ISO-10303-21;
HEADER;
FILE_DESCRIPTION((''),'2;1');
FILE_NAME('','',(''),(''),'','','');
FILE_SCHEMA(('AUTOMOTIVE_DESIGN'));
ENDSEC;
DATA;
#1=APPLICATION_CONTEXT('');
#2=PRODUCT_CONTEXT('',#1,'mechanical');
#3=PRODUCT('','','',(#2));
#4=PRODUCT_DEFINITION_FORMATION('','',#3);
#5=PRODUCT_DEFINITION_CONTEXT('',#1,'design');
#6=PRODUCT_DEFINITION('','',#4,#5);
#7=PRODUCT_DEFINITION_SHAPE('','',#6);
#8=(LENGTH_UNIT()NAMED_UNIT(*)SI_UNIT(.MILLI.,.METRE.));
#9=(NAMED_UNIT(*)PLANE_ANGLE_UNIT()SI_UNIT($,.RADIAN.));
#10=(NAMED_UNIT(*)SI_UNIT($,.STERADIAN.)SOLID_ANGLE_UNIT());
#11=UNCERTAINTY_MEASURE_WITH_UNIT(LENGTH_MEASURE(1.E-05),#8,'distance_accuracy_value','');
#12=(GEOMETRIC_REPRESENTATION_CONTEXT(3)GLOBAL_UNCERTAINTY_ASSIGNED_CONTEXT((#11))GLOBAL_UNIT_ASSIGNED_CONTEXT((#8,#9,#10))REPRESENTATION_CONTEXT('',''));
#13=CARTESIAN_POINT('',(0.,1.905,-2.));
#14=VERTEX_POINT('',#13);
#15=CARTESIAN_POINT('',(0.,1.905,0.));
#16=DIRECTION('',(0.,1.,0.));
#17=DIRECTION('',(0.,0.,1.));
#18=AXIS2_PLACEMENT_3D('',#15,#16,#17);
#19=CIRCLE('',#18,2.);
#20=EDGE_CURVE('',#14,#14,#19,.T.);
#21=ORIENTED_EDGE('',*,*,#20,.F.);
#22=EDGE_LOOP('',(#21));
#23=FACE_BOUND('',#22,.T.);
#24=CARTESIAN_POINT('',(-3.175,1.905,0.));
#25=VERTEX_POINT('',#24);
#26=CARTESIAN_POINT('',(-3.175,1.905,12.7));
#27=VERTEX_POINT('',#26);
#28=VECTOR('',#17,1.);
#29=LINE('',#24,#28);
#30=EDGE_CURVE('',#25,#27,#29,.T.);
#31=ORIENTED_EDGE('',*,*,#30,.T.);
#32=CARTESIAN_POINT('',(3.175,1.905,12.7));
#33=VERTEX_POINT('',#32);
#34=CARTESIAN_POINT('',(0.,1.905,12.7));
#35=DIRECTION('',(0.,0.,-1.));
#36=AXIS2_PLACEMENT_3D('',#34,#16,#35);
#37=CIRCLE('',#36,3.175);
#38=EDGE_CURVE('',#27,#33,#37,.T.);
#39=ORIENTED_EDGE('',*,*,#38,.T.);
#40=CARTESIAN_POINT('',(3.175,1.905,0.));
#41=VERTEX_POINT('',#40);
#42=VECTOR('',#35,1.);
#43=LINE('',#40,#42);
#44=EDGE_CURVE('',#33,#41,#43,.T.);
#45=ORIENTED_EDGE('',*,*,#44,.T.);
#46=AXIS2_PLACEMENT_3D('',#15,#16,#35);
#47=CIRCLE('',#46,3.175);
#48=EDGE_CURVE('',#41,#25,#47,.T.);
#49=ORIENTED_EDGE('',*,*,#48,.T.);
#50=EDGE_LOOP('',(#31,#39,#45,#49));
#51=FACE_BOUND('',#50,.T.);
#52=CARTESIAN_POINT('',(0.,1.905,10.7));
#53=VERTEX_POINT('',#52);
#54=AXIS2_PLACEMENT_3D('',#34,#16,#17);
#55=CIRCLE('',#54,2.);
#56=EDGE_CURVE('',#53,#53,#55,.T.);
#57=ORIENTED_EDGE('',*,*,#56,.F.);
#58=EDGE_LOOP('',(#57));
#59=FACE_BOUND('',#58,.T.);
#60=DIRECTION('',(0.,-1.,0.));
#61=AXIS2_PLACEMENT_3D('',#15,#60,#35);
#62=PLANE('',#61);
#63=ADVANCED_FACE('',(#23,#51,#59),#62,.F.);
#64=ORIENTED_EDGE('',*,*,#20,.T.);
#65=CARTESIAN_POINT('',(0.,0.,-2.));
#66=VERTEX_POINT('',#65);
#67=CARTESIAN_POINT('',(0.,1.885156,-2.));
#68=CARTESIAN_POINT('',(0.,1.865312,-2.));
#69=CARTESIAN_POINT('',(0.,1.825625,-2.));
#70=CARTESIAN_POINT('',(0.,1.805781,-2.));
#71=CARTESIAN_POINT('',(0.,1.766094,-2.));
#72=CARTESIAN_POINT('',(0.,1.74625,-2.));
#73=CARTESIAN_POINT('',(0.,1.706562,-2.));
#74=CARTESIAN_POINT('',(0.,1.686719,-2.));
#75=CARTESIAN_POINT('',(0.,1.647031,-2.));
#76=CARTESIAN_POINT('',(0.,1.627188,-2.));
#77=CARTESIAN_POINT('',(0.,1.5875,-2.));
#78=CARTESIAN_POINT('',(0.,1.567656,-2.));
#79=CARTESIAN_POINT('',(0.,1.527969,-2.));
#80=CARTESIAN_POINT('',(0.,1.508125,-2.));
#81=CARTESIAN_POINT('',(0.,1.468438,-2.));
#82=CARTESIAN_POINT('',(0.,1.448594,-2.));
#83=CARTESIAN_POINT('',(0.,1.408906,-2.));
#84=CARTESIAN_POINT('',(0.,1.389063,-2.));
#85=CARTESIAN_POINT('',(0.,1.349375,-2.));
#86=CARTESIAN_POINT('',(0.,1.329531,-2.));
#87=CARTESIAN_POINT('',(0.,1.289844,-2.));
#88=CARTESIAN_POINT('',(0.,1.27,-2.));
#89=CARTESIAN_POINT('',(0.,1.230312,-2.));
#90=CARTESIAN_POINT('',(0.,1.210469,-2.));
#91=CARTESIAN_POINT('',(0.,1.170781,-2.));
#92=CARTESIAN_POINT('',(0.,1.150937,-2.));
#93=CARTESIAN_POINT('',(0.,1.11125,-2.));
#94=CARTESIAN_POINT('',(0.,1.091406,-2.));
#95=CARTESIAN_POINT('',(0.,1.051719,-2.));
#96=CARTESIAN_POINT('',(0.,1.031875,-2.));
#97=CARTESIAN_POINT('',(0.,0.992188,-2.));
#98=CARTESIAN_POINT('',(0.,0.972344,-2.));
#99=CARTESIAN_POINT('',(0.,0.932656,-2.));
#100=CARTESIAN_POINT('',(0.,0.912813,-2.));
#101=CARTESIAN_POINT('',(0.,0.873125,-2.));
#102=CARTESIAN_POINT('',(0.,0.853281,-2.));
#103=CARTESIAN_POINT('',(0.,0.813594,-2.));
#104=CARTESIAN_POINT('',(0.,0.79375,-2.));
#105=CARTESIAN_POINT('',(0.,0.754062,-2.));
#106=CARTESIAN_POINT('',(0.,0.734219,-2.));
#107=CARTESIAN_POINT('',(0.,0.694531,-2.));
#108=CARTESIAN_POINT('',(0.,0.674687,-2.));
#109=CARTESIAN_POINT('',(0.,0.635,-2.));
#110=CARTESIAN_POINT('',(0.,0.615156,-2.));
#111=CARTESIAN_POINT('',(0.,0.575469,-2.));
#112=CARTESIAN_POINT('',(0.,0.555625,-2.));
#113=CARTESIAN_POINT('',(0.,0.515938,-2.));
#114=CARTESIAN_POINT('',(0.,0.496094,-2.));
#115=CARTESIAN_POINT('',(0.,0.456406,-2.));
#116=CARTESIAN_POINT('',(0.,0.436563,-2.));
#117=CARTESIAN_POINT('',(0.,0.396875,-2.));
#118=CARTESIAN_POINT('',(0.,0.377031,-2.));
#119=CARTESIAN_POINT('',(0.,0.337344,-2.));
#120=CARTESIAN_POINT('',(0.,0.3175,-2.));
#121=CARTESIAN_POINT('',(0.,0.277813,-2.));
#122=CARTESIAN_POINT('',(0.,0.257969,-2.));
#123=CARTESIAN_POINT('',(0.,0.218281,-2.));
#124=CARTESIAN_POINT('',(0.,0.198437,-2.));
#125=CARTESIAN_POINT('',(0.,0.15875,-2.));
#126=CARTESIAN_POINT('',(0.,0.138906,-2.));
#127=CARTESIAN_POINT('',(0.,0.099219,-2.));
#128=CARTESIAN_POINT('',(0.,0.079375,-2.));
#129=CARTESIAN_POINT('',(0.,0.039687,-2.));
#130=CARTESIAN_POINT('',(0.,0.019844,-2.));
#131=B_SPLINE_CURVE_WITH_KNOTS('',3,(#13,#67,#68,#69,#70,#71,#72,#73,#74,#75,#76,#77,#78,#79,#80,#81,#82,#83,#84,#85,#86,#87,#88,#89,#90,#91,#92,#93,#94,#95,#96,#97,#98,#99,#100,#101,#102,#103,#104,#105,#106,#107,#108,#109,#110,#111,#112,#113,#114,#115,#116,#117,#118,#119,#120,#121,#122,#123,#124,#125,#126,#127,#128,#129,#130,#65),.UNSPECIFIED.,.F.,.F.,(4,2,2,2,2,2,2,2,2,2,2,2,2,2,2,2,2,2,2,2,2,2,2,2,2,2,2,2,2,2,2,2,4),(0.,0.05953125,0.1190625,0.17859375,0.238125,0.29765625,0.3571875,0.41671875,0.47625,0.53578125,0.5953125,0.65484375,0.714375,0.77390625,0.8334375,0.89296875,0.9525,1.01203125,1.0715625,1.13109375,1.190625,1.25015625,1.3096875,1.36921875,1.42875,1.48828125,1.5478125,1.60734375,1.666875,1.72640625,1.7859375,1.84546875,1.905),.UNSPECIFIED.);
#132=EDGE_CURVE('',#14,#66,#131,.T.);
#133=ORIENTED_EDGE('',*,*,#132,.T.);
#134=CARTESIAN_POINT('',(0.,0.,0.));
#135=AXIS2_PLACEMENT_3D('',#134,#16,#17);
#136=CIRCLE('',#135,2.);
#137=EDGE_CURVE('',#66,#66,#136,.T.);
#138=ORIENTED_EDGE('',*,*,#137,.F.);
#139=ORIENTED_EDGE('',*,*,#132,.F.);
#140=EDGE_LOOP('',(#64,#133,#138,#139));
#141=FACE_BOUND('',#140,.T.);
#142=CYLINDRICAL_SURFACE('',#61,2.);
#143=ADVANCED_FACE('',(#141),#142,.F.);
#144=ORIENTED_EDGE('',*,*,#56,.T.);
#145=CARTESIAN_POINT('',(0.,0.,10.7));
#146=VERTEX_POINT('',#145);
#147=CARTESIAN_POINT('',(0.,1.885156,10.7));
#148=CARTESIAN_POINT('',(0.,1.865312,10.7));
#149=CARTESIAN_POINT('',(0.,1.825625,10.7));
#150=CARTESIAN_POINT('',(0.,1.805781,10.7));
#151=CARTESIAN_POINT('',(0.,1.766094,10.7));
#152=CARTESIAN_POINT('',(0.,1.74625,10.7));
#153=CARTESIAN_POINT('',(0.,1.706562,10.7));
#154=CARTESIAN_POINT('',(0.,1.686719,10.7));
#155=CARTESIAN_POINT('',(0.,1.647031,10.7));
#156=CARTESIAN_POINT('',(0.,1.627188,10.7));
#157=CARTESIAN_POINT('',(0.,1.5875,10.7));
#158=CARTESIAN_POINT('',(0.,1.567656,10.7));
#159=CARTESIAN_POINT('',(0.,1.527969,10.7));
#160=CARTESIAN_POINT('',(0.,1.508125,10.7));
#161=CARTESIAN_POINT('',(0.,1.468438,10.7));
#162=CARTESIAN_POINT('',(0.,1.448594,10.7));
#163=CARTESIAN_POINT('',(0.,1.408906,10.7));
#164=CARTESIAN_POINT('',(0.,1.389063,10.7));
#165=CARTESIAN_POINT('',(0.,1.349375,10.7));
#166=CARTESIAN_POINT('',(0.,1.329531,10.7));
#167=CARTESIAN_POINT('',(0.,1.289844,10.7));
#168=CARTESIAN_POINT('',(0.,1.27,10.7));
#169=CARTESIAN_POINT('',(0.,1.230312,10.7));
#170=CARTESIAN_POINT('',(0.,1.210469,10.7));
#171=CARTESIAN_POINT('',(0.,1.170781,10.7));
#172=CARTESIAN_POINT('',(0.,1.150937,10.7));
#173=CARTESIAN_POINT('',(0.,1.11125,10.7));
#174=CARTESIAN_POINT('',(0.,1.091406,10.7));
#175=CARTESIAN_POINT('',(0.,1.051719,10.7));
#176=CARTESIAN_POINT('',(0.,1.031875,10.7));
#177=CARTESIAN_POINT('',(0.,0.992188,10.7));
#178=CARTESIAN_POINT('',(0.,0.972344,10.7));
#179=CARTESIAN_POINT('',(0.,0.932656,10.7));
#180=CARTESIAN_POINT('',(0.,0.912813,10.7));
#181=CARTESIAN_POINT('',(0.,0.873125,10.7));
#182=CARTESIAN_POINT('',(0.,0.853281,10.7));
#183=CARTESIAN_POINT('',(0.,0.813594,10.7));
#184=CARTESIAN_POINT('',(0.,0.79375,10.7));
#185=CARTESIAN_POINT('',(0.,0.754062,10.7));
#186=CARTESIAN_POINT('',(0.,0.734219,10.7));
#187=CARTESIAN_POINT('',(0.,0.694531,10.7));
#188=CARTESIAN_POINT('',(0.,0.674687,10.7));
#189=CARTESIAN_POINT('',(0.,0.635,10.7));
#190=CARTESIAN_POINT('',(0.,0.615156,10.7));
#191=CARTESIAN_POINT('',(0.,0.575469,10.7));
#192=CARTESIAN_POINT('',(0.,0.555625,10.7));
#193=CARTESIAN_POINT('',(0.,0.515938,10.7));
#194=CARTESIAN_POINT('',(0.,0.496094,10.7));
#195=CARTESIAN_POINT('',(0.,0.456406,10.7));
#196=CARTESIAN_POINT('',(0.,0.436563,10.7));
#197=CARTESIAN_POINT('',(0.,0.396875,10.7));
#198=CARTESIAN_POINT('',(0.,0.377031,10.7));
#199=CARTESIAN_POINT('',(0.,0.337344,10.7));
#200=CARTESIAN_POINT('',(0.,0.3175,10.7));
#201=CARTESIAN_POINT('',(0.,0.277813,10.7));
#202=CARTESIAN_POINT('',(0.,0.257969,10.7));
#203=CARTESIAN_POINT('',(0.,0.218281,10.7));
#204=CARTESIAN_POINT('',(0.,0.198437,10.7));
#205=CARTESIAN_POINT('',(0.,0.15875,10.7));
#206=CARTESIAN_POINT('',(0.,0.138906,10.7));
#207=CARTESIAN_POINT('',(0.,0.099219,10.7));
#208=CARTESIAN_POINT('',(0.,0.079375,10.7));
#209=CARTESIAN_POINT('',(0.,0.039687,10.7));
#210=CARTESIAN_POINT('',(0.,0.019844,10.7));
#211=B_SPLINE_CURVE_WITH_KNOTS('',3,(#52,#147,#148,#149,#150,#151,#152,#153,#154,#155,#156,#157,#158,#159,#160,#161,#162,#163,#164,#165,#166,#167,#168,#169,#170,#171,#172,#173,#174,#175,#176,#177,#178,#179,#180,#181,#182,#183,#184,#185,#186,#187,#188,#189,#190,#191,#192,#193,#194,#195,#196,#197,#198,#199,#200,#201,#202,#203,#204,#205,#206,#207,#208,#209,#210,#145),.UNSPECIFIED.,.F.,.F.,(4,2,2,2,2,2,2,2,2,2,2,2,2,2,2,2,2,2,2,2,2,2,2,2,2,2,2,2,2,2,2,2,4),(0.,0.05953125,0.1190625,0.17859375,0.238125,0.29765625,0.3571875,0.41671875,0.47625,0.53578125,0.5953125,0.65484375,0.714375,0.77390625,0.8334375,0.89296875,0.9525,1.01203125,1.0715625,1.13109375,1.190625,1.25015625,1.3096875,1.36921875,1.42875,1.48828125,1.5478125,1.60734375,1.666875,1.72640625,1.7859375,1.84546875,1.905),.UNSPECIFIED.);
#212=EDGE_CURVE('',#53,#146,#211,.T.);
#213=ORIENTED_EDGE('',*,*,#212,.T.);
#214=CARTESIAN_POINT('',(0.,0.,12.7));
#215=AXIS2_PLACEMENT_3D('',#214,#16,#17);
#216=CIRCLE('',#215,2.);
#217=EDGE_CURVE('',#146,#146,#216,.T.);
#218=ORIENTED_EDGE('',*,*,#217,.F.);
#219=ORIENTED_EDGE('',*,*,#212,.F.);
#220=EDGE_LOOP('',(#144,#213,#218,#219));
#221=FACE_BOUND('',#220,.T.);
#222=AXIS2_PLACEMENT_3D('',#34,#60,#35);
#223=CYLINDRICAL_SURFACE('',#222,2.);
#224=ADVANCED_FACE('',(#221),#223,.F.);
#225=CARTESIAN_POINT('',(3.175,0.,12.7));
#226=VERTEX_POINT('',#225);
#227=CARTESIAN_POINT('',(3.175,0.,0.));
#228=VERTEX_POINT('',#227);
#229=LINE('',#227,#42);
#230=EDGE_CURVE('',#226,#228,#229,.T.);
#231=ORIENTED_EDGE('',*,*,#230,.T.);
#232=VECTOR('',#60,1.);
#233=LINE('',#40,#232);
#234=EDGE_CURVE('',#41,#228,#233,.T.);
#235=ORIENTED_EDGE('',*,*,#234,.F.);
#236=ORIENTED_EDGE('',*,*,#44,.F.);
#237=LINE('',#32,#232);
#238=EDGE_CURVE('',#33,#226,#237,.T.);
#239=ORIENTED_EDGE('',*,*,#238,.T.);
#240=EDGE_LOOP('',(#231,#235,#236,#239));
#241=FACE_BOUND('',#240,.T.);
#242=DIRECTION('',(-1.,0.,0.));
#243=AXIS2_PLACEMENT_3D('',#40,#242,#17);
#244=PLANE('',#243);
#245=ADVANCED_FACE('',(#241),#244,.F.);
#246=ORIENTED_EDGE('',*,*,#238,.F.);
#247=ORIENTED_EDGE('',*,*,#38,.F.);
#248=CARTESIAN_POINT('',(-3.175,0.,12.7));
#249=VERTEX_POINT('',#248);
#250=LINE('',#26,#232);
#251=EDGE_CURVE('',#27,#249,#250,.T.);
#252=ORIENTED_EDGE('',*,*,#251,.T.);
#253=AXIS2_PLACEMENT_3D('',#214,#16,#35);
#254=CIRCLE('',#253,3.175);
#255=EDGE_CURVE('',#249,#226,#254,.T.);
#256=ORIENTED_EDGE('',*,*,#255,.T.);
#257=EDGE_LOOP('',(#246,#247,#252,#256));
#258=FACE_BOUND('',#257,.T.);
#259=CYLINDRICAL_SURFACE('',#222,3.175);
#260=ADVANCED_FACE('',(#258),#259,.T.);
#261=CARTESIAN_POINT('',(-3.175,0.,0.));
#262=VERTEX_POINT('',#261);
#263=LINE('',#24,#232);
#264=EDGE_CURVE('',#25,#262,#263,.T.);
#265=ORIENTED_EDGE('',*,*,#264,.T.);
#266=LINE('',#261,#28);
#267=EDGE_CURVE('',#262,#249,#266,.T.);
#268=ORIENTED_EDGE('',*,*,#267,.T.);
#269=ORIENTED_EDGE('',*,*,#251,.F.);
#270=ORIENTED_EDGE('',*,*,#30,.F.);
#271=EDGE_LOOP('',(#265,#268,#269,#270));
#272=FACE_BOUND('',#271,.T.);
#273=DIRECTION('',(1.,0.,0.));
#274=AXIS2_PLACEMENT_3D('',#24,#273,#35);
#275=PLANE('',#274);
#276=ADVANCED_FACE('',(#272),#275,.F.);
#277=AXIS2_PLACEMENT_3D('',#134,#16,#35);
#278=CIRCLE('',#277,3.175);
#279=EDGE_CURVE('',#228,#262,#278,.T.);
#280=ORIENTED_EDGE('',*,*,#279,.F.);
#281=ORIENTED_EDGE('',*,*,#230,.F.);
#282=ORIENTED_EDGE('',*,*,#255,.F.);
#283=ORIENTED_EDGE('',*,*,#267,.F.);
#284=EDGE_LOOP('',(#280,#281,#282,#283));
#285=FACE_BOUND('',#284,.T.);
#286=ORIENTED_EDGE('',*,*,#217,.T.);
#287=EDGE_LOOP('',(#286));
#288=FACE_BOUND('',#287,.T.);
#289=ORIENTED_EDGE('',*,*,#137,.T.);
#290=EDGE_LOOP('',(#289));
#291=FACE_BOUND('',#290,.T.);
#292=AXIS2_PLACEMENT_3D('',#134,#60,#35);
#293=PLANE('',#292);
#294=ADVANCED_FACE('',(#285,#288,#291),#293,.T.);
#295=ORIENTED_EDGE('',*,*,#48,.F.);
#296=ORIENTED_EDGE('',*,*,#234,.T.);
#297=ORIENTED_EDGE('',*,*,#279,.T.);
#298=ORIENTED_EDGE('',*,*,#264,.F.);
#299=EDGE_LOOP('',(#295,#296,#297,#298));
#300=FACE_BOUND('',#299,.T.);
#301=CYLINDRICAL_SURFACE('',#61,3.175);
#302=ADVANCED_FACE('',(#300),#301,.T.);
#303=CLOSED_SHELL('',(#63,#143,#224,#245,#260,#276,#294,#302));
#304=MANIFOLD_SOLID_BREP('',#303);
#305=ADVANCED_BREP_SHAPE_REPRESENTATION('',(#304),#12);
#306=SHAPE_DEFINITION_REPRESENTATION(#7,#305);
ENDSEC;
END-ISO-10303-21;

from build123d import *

# Parameters (mm, degrees)
SKETCH2_R           = 2
BOSS_EXTRUDE1_DEPTH = 1.905


with BuildPart() as part:
    # Sketch2 → Boss-Extrude1 (new body)
    with BuildSketch(Plane(origin=(0, 0, 0), x_dir=(1, 0, 0), z_dir=(0, 1, 0))):
        with BuildLine():
            Line((3.175, 0), (3.175, -12.7))
            ThreePointArc((3.175, -12.7), (0, -15.875), (-3.175, -12.7))
            Line((-3.175, -12.7), (-3.175, 0))
            ThreePointArc((-3.175, 0), (0, 3.175), (3.175, 0))
        make_face()
        with Locations(Location((0, 0, 0), (0, 0, 90))):
            Circle(SKETCH2_R, mode=Mode.SUBTRACT)
        with Locations(Location((0, -12.7, 0), (0, 0, 90))):
            Circle(SKETCH2_R, mode=Mode.SUBTRACT)
    extrude(amount=BOSS_EXTRUDE1_DEPTH)


solid = part.part
